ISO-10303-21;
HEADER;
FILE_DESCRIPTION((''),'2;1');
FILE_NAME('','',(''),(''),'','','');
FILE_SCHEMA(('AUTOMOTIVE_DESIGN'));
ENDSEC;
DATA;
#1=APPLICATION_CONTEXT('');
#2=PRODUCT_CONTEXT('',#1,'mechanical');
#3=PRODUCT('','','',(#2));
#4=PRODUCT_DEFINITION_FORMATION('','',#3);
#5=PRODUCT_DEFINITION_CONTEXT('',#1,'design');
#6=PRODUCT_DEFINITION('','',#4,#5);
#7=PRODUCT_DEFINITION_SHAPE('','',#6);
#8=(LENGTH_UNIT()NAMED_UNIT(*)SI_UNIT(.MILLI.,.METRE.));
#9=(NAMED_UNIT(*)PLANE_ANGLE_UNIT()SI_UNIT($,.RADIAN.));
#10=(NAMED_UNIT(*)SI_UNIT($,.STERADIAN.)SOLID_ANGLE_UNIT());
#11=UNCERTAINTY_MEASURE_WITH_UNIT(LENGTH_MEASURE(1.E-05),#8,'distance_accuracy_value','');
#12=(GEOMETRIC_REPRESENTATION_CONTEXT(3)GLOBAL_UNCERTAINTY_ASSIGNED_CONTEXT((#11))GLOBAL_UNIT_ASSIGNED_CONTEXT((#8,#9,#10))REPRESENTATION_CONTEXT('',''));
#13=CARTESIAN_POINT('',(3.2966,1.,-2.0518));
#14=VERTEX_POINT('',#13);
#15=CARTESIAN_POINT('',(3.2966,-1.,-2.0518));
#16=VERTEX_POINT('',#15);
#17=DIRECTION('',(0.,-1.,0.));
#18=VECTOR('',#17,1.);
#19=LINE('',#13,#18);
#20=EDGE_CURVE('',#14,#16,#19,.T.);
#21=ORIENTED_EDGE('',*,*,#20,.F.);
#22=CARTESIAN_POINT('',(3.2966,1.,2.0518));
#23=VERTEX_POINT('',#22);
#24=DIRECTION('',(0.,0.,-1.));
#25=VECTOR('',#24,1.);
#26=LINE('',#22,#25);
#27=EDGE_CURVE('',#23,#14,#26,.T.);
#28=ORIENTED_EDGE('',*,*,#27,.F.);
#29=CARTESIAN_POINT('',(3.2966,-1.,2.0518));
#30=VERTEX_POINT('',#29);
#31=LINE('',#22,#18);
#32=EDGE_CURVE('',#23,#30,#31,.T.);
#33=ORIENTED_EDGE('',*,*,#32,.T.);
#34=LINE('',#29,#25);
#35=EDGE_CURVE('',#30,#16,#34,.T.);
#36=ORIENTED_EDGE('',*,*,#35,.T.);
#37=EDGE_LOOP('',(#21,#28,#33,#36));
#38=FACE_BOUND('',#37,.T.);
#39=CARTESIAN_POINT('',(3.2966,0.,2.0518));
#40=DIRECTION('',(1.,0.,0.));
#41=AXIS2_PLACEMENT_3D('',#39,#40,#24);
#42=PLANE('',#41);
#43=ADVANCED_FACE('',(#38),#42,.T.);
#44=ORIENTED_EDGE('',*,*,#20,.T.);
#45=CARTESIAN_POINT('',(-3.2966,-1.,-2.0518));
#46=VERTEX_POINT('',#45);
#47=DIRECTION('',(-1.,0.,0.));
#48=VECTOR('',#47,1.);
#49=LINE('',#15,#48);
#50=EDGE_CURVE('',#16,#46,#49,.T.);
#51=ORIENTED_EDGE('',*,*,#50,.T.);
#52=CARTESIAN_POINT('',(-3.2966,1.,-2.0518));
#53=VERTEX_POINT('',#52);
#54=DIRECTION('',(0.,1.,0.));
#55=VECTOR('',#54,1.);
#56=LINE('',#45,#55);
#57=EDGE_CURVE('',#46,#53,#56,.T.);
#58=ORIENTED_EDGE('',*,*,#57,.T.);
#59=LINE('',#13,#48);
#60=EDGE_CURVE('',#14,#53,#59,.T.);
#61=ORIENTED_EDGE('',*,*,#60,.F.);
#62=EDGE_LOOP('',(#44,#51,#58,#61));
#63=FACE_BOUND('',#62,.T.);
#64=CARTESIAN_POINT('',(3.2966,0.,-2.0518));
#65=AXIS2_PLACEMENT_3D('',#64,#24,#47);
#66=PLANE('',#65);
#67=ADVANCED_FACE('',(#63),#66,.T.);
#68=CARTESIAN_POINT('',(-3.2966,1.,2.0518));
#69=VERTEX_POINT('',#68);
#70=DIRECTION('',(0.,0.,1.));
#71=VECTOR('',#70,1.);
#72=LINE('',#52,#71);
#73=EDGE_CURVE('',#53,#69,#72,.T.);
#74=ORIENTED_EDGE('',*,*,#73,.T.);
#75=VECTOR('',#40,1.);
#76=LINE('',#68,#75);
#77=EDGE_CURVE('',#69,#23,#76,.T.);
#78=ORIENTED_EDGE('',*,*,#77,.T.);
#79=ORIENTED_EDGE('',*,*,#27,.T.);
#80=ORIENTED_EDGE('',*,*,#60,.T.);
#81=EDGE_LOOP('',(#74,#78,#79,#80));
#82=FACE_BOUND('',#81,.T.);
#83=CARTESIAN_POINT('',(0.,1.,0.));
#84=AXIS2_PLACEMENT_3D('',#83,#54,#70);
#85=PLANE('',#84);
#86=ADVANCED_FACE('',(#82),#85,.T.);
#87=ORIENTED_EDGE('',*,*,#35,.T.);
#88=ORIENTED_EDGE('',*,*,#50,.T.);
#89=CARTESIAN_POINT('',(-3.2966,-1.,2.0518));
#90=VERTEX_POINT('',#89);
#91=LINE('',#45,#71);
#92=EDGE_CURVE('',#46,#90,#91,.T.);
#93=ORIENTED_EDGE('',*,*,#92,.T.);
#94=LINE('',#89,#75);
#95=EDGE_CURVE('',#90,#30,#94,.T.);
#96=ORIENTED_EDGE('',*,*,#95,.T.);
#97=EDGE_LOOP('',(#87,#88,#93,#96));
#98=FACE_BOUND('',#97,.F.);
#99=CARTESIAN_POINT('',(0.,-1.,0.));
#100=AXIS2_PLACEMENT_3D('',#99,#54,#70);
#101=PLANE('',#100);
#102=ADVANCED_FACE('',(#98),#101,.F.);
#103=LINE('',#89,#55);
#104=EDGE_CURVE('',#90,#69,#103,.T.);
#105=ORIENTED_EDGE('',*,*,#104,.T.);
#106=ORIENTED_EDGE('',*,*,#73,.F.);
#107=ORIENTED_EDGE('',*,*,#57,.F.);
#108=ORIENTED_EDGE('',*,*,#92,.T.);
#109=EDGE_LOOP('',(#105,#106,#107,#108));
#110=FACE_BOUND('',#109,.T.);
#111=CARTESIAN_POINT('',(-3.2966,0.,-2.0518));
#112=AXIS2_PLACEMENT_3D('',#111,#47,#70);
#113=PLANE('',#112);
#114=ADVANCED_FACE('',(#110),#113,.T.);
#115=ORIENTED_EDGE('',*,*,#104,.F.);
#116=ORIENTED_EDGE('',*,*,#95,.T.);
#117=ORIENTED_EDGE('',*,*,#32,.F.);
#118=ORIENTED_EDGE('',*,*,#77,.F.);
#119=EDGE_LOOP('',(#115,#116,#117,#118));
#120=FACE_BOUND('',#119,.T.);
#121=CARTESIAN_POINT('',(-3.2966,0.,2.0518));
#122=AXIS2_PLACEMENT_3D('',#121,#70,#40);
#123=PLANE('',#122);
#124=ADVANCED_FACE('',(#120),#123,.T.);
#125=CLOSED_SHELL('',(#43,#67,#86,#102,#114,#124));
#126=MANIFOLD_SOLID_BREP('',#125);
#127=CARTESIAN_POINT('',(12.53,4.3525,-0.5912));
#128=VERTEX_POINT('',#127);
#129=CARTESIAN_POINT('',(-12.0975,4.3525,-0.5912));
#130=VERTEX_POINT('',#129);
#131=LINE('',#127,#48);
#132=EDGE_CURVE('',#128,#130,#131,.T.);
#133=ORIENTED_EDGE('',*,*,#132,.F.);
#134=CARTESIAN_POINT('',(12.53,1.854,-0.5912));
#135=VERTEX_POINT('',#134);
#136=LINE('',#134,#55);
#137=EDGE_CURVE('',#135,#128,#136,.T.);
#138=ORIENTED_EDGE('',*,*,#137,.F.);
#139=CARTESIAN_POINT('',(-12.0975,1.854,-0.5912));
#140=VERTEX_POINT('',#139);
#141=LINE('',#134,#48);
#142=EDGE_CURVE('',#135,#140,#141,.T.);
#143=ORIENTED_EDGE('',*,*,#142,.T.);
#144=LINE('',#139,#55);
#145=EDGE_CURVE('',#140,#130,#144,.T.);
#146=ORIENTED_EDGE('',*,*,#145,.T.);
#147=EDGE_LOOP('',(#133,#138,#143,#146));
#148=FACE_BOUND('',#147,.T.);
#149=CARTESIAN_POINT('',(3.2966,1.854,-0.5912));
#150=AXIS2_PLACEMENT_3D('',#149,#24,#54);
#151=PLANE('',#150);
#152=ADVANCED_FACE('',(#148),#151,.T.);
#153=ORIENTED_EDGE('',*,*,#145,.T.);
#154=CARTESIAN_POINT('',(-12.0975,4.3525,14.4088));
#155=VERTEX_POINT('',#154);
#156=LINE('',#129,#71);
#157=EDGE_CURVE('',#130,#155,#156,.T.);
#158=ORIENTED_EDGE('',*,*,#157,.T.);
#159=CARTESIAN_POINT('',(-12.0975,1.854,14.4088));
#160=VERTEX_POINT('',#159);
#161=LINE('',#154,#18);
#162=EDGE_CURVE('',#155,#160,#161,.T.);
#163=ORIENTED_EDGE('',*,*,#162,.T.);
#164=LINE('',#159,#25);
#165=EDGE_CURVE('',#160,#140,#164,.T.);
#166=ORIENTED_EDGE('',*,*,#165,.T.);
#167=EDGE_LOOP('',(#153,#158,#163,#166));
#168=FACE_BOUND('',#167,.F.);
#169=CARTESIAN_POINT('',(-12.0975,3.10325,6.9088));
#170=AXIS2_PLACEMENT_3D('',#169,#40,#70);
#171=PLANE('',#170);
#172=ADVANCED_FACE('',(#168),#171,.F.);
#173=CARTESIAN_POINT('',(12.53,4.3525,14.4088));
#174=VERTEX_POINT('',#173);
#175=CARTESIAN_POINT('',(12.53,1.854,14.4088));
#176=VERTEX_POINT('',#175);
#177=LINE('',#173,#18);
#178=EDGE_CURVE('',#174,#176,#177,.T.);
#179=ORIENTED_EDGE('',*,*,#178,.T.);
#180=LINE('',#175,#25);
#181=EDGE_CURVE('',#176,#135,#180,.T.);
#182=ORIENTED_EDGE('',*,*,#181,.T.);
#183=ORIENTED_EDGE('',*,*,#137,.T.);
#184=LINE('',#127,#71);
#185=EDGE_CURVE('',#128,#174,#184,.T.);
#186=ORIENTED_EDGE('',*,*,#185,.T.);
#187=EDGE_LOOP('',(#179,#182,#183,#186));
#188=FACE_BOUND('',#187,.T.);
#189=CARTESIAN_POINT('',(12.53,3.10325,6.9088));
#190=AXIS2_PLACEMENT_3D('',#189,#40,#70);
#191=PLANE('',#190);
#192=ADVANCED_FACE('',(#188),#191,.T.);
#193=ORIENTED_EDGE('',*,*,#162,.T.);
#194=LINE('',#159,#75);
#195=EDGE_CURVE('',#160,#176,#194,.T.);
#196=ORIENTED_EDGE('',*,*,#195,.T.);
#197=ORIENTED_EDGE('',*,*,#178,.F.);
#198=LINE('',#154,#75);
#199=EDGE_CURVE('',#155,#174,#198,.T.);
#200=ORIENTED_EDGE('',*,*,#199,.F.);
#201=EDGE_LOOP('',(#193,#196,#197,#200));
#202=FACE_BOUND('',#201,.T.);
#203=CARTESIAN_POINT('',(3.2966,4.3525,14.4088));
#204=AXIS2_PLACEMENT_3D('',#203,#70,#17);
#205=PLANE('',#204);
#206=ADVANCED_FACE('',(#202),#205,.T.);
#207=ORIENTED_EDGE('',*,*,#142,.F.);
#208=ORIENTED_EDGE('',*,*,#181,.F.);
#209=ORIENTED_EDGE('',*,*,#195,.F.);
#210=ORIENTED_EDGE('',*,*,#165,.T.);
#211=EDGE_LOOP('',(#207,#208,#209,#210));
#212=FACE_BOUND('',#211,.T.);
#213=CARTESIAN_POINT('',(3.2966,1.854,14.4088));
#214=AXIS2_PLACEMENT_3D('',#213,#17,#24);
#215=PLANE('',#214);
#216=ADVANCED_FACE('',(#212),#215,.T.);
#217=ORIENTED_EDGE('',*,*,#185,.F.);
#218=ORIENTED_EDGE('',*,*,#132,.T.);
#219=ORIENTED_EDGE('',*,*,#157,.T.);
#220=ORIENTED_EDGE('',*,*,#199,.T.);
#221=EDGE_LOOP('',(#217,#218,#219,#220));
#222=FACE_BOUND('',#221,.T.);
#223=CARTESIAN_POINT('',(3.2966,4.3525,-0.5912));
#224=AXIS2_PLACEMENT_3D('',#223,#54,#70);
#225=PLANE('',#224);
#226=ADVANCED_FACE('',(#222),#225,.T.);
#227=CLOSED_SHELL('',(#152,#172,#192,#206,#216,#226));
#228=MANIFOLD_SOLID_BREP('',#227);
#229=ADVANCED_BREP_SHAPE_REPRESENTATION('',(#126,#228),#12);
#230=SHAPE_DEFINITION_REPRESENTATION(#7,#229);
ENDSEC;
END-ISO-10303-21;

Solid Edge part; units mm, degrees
sketch "Sketch1" plane through (0, 0, 0) normal (0, -1, 0) x (1, 0, 0)
  line L0 (3.2966, -2.0518) -> (-3.2966, -2.0518)
  line L1 (-3.2966, -2.0518) -> (-3.2966, 2.0518)
  line L2 (-3.2966, 2.0518) -> (3.2966, 2.0518)
  line L3 (3.2966, 2.0518) -> (3.2966, -2.0518)
extrude "拉伸_1" add sketch "Sketch1" along normal mid plane 2
sketch "Sketch2" plane through (3.2966, 0, 0) normal (1, 0, 0) x (0, 1, 0)
  line L0 (4.3525, -0.5912) -> (4.3525, 14.4088)
  line L1 (4.3525, 14.4088) -> (1.854, 14.4088)
  line L2 (1.854, 14.4088) -> (1.854, -0.5912)
  line L3 (1.854, -0.5912) -> (4.3525, -0.5912)
extrude "拉伸_2" add sketch "Sketch2" against normal blind 15.3941 and the other way blind 9.2334
